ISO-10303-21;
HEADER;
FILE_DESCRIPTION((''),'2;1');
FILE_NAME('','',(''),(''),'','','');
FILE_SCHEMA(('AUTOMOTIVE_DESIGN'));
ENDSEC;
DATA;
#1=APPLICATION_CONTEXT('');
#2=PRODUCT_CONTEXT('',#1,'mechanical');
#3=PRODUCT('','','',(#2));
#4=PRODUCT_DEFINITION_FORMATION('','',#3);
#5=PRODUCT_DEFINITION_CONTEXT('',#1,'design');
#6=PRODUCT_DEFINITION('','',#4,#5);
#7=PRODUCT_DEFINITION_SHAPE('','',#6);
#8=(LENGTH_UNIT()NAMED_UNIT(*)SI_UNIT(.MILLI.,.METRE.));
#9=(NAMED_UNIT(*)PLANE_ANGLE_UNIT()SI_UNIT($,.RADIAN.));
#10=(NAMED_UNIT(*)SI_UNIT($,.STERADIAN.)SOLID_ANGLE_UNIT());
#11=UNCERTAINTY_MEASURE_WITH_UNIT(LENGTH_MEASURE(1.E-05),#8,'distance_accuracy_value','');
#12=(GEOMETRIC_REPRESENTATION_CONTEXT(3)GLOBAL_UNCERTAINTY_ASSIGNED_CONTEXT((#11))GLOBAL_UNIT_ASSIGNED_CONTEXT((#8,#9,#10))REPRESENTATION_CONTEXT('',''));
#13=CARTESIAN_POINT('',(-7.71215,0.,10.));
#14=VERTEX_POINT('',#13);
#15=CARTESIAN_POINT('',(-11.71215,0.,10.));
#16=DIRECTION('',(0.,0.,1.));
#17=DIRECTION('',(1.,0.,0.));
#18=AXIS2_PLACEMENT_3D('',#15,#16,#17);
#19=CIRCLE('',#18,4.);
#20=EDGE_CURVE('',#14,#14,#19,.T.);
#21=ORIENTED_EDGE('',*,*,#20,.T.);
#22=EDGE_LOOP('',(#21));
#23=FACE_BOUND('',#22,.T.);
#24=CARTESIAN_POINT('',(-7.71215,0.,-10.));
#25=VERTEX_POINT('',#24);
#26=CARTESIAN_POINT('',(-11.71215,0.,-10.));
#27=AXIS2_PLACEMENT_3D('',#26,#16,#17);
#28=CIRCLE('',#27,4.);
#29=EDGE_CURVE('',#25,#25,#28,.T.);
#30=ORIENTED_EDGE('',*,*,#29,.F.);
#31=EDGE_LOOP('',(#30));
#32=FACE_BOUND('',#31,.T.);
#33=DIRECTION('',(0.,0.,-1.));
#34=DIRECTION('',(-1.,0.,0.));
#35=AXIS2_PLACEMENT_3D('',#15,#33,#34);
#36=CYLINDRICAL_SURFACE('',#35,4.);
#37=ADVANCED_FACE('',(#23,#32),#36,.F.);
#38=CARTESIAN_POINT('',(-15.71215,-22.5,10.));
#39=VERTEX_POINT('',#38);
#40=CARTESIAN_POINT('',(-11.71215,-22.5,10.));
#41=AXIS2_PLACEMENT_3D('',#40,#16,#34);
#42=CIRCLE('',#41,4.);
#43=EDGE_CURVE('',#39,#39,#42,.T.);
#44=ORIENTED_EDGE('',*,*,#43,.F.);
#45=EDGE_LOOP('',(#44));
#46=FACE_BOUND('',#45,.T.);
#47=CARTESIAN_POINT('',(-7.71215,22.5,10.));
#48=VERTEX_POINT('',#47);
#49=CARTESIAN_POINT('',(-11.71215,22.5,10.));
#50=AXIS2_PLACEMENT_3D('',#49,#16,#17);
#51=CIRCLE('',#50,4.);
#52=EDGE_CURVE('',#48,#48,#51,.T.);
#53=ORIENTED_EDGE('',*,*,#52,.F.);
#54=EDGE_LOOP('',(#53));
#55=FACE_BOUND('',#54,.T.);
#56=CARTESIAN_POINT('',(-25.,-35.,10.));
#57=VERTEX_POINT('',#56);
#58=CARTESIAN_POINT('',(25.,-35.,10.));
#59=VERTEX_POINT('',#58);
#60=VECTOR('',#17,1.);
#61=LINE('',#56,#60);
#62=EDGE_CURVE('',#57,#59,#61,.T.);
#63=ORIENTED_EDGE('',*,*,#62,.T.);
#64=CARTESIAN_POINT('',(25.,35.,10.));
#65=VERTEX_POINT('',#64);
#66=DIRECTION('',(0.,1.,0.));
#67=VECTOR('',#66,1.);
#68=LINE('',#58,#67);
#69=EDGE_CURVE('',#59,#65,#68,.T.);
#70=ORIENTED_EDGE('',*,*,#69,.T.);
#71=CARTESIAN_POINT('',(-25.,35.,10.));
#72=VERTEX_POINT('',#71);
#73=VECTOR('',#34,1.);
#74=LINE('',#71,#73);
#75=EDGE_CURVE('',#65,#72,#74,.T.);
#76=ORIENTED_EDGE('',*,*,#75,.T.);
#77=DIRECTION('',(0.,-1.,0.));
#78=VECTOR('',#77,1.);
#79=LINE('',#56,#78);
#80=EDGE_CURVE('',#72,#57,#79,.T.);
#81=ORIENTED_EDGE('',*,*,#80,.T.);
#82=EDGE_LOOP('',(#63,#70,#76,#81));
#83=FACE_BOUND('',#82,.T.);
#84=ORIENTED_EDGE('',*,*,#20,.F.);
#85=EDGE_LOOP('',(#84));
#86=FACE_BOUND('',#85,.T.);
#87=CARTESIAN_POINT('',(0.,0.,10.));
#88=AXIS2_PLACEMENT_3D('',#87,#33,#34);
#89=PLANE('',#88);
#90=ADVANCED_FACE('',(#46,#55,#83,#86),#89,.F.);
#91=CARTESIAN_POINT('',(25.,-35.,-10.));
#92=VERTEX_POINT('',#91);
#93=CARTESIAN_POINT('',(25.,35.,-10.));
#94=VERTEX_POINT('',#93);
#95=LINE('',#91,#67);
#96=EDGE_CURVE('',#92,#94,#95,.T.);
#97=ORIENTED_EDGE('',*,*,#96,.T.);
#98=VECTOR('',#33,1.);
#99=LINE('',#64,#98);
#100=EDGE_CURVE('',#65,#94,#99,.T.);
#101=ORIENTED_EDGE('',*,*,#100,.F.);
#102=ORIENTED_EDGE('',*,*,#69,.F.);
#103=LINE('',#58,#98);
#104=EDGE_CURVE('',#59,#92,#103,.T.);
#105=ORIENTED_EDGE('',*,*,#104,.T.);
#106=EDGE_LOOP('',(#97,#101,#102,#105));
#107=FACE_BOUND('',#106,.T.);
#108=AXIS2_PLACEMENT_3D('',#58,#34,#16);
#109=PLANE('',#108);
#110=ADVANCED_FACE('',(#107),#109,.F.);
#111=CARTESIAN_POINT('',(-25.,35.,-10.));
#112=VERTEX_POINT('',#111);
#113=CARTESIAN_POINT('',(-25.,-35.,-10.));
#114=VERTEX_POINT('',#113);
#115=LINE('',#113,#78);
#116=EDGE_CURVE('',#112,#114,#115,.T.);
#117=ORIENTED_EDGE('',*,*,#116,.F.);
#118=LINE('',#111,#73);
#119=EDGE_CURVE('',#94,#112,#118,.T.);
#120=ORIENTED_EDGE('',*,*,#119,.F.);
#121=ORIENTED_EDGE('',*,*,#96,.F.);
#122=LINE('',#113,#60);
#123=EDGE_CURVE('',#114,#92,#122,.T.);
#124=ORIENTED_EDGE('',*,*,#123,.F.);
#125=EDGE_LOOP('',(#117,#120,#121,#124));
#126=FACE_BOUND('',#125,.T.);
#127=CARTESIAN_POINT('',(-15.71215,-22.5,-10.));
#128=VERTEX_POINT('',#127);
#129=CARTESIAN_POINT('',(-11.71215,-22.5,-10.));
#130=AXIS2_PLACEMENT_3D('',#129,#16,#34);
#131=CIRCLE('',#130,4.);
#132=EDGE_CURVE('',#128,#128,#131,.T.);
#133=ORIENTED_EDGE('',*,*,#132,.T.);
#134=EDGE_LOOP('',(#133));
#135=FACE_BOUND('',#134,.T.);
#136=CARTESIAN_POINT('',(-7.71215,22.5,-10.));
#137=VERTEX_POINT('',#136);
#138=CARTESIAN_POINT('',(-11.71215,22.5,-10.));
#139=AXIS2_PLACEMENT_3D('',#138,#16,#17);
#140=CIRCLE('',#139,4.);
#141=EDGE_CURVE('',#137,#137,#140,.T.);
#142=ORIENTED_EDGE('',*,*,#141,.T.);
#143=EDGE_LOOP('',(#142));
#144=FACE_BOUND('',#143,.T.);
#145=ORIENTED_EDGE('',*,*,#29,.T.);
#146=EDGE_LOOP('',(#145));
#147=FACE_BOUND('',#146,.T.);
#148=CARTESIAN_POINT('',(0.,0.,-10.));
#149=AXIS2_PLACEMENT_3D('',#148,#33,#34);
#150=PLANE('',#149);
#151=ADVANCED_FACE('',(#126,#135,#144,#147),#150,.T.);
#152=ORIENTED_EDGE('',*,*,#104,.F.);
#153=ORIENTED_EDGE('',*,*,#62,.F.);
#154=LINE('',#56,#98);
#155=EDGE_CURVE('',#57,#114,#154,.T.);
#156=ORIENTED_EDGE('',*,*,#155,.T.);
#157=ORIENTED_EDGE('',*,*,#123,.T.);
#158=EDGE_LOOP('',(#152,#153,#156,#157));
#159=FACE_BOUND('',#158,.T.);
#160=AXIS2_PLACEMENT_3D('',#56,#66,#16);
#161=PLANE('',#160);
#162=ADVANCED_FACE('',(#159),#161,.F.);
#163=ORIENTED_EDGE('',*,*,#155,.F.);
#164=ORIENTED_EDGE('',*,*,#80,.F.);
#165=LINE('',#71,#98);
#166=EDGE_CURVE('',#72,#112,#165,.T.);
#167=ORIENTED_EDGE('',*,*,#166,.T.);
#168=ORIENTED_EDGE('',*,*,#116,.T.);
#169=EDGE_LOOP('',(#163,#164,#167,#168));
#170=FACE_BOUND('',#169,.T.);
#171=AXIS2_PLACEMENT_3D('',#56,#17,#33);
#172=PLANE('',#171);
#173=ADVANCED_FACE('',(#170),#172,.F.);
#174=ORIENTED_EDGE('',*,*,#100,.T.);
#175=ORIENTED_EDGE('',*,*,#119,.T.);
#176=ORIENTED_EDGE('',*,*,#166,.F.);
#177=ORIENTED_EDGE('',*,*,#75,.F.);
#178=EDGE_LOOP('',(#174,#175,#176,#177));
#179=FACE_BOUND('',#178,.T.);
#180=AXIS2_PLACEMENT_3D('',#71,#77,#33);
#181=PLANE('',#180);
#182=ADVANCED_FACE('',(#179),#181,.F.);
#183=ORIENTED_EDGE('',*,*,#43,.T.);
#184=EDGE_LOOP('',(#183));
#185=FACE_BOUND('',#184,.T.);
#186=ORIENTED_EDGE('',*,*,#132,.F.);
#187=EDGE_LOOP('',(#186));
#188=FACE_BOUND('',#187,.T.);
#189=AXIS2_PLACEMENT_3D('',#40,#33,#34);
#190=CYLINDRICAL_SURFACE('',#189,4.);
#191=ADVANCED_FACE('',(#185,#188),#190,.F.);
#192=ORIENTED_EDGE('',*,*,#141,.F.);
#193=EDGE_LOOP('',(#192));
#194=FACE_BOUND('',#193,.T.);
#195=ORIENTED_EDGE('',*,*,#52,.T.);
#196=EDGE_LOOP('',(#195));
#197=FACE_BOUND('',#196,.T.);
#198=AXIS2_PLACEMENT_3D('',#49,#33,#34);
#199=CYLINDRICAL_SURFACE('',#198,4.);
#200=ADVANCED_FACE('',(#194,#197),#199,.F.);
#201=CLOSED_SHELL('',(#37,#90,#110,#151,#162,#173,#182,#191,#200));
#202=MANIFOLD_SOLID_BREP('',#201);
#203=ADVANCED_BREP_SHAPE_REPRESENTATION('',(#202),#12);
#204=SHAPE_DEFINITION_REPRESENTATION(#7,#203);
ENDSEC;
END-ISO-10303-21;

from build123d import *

# Parameters (mm, degrees)
SKETCH1_W           = 50
SKETCH1_H           = 70
SKETCH1_R           = 4
BOSS_EXTRUDE1_DEPTH = 10


with BuildPart() as part:
    # Sketch1 → Boss-Extrude1 (new body, symmetric)
    with BuildSketch(Plane.XY):
        Rectangle(SKETCH1_W, SKETCH1_H)
        with Locations((-11.712149785, 0)):
            Circle(SKETCH1_R, mode=Mode.SUBTRACT)
        with Locations((-11.712149785, 22.5)):
            Circle(SKETCH1_R, mode=Mode.SUBTRACT)
        with Locations((-11.712149785, -22.5)):
            Circle(SKETCH1_R, mode=Mode.SUBTRACT)
    extrude(amount=BOSS_EXTRUDE1_DEPTH, both=True)


solid = part.part
